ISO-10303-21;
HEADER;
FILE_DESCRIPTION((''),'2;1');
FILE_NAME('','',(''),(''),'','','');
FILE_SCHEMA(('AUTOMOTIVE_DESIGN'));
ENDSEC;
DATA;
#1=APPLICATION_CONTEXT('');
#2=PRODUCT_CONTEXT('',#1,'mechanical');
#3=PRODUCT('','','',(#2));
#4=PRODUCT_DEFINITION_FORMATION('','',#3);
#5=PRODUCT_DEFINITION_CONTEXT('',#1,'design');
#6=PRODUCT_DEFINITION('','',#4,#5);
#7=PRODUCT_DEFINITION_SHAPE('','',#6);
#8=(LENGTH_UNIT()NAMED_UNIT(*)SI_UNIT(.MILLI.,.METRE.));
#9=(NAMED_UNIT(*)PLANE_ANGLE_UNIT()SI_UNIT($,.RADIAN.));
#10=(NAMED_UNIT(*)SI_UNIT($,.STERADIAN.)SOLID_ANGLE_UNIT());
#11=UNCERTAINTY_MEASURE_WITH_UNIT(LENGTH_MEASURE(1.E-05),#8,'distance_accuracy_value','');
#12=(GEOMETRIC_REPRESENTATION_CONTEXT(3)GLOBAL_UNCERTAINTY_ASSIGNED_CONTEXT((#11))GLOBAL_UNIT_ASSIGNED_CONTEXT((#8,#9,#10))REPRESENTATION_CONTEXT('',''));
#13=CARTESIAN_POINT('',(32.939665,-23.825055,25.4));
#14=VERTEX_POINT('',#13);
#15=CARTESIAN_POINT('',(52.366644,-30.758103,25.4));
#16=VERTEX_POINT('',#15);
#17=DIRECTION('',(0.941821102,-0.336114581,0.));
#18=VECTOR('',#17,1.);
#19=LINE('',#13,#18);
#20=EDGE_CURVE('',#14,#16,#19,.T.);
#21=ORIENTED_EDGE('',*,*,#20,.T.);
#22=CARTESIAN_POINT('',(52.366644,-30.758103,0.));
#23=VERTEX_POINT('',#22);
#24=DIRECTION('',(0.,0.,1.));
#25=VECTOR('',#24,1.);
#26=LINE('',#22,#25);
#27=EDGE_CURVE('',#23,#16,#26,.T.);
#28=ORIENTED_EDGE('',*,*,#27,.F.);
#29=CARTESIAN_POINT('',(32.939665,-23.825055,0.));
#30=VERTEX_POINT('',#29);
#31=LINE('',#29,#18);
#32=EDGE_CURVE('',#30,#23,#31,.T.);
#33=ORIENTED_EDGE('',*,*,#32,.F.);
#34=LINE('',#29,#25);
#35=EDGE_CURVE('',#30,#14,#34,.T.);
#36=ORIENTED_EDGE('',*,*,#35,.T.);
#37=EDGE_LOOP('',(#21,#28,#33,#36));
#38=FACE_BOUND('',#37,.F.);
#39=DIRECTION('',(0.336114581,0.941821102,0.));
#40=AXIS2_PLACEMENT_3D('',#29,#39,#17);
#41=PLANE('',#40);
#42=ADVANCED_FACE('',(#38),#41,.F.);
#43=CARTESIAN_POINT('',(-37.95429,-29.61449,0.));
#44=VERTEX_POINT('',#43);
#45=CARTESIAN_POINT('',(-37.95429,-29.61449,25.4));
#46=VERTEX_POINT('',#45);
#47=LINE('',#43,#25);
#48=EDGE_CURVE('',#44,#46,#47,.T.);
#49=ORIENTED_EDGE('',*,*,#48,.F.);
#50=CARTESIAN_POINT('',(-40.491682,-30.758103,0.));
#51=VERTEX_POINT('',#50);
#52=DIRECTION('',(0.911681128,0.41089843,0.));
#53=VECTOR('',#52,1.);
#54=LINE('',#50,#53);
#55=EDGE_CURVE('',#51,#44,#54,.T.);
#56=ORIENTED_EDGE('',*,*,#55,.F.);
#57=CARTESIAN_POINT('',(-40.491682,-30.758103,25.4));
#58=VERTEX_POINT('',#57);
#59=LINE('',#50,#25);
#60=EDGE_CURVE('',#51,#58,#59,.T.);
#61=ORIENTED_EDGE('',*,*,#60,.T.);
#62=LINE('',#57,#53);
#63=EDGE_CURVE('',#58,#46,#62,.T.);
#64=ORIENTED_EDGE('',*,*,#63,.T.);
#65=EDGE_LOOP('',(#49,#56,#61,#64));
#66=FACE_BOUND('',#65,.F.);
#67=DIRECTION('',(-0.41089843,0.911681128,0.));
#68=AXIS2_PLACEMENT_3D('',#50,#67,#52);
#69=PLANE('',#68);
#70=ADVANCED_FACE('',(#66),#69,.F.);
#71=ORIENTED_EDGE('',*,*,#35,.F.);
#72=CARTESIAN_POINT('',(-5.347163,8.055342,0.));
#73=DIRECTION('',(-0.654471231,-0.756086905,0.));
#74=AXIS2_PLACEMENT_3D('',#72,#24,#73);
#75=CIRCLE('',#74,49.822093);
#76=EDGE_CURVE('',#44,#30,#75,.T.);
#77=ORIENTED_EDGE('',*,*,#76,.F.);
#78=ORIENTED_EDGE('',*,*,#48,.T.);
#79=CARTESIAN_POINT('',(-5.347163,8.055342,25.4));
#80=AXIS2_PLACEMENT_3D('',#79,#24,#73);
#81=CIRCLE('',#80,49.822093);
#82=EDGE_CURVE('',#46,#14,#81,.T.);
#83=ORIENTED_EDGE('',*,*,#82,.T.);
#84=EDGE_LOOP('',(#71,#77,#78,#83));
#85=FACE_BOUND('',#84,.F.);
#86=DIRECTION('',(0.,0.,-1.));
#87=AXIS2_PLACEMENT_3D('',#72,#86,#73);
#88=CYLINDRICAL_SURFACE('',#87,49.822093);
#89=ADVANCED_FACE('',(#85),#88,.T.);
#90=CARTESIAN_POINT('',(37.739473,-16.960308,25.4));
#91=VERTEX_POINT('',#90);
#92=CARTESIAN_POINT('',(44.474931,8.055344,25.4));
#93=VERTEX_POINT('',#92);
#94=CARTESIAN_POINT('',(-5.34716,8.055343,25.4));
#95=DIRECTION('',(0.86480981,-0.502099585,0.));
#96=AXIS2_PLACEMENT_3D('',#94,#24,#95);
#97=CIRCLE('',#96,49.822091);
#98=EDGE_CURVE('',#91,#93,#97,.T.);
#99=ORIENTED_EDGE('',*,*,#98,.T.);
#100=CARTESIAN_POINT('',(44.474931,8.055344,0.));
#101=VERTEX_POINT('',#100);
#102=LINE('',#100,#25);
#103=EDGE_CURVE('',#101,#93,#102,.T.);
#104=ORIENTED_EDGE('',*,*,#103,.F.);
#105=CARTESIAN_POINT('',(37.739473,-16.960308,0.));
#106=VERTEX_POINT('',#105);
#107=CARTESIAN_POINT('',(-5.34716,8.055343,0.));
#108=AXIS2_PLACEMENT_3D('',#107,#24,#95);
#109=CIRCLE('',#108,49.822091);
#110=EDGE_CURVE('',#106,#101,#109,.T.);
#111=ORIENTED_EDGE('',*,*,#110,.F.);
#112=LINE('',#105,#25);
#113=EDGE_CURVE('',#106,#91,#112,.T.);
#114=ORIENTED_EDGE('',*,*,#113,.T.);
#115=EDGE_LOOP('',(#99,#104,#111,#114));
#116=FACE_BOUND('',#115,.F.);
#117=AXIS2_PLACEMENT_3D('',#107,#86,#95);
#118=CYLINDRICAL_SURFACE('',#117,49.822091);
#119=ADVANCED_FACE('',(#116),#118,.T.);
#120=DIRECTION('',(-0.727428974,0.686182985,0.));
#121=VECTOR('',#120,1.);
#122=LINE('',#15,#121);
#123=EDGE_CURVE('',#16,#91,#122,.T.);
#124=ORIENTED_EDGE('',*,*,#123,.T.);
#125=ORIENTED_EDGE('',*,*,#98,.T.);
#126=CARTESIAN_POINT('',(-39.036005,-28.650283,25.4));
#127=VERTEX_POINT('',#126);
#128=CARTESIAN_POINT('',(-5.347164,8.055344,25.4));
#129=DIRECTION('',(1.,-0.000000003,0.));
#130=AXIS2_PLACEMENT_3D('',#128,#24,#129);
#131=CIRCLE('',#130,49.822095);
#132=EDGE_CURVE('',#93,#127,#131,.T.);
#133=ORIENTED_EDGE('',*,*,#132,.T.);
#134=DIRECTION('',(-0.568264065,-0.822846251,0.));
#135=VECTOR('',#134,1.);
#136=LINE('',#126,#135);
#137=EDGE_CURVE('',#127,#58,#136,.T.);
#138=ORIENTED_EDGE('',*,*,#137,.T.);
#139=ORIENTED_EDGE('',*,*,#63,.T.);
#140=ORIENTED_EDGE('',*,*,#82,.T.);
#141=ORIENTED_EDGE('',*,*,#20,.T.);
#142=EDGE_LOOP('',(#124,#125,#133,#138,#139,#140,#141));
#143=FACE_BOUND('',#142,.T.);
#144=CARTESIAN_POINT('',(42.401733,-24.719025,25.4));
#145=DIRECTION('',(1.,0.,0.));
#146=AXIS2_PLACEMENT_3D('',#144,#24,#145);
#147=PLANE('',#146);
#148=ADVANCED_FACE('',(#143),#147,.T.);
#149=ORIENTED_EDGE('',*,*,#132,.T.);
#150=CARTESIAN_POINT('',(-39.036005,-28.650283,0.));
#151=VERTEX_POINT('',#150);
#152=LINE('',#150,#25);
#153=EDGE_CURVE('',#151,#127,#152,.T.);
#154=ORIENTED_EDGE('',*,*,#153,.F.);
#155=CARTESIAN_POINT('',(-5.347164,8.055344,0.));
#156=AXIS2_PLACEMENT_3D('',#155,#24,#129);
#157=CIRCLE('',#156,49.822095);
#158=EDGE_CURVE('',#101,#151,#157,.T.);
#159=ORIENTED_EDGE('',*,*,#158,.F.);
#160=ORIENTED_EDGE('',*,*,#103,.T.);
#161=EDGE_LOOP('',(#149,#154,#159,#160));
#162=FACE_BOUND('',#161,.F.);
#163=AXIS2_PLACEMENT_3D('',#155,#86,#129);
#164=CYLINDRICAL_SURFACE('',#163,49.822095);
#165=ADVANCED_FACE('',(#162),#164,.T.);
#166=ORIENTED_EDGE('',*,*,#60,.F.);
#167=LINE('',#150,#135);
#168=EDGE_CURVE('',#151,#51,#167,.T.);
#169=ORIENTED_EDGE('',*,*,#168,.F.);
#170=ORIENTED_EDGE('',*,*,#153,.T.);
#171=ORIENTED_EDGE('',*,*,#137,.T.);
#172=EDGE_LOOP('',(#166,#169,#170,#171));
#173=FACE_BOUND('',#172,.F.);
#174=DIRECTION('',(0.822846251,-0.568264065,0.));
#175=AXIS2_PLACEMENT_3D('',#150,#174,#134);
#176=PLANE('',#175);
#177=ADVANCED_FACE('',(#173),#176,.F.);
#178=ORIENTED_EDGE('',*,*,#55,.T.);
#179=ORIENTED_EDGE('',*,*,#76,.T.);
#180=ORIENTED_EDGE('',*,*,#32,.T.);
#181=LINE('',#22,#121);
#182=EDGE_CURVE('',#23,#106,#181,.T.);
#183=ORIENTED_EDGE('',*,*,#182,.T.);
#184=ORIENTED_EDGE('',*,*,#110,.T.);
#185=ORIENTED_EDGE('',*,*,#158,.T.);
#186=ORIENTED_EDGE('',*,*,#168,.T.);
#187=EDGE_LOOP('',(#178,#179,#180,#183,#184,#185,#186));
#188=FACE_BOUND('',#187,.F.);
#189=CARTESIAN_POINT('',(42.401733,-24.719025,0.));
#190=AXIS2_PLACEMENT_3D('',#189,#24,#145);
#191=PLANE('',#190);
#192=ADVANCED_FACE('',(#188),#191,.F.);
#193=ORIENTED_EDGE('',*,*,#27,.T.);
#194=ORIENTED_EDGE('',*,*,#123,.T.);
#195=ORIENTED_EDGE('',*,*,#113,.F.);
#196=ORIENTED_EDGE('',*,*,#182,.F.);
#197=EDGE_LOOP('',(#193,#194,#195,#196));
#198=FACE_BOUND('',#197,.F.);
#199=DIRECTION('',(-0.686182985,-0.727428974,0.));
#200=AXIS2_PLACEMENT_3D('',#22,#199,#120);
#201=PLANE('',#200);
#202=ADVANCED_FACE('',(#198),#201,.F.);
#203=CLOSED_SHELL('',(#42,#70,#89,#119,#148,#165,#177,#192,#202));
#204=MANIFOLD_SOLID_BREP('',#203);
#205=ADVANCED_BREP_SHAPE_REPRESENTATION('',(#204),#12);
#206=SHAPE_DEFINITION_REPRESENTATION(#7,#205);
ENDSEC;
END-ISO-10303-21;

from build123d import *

# Parameters (mm, degrees)
F1_DEPTH = 25.4


with BuildPart() as f1:
    # F0 (on Top) → F1 (new body)
    with BuildSketch(Plane.XY):
        with BuildLine():
            Line((52.366644, -30.758103), (37.739473, -16.960308))
            ThreePointArc((37.739473, -16.960308), (35.484092, -20.493731), (32.939665, -23.825055))
            Line((32.939665, -23.825055), (52.366644, -30.758103))
        make_face()
        with BuildLine():
            ThreePointArc((32.939665, -23.825055), (35.484092, -20.493731), (37.739473, -16.960308))
            ThreePointArc((37.739473, -16.960308), (42.761607, -4.89793), (44.474931, 8.055344))
            ThreePointArc((44.474931, 8.055344), (-25.394513, 53.666142), (-39.036005, -28.650283))
            ThreePointArc((-39.036005, -28.650283), (-38.498653, -29.13632), (-37.95429, -29.61449))
            Line((-37.95429, -29.61449), (0.543222, -12.263499))
            Line((0.543222, -12.263499), (32.939665, -23.825055))
        make_face()
        with BuildLine():
            ThreePointArc((-37.95429, -29.61449), (-1.292025, -41.601448), (32.939665, -23.825055))
            Line((32.939665, -23.825055), (0.543222, -12.263499))
            Line((0.543222, -12.263499), (-37.95429, -29.61449))
        make_face()
        with BuildLine():
            Line((-40.491682, -30.758103), (-37.95429, -29.61449))
            ThreePointArc((-37.95429, -29.61449), (-38.498653, -29.13632), (-39.036005, -28.650283))
            Line((-39.036005, -28.650283), (-40.491682, -30.758103))
        make_face()
    extrude(amount=F1_DEPTH)


solid = f1.part
